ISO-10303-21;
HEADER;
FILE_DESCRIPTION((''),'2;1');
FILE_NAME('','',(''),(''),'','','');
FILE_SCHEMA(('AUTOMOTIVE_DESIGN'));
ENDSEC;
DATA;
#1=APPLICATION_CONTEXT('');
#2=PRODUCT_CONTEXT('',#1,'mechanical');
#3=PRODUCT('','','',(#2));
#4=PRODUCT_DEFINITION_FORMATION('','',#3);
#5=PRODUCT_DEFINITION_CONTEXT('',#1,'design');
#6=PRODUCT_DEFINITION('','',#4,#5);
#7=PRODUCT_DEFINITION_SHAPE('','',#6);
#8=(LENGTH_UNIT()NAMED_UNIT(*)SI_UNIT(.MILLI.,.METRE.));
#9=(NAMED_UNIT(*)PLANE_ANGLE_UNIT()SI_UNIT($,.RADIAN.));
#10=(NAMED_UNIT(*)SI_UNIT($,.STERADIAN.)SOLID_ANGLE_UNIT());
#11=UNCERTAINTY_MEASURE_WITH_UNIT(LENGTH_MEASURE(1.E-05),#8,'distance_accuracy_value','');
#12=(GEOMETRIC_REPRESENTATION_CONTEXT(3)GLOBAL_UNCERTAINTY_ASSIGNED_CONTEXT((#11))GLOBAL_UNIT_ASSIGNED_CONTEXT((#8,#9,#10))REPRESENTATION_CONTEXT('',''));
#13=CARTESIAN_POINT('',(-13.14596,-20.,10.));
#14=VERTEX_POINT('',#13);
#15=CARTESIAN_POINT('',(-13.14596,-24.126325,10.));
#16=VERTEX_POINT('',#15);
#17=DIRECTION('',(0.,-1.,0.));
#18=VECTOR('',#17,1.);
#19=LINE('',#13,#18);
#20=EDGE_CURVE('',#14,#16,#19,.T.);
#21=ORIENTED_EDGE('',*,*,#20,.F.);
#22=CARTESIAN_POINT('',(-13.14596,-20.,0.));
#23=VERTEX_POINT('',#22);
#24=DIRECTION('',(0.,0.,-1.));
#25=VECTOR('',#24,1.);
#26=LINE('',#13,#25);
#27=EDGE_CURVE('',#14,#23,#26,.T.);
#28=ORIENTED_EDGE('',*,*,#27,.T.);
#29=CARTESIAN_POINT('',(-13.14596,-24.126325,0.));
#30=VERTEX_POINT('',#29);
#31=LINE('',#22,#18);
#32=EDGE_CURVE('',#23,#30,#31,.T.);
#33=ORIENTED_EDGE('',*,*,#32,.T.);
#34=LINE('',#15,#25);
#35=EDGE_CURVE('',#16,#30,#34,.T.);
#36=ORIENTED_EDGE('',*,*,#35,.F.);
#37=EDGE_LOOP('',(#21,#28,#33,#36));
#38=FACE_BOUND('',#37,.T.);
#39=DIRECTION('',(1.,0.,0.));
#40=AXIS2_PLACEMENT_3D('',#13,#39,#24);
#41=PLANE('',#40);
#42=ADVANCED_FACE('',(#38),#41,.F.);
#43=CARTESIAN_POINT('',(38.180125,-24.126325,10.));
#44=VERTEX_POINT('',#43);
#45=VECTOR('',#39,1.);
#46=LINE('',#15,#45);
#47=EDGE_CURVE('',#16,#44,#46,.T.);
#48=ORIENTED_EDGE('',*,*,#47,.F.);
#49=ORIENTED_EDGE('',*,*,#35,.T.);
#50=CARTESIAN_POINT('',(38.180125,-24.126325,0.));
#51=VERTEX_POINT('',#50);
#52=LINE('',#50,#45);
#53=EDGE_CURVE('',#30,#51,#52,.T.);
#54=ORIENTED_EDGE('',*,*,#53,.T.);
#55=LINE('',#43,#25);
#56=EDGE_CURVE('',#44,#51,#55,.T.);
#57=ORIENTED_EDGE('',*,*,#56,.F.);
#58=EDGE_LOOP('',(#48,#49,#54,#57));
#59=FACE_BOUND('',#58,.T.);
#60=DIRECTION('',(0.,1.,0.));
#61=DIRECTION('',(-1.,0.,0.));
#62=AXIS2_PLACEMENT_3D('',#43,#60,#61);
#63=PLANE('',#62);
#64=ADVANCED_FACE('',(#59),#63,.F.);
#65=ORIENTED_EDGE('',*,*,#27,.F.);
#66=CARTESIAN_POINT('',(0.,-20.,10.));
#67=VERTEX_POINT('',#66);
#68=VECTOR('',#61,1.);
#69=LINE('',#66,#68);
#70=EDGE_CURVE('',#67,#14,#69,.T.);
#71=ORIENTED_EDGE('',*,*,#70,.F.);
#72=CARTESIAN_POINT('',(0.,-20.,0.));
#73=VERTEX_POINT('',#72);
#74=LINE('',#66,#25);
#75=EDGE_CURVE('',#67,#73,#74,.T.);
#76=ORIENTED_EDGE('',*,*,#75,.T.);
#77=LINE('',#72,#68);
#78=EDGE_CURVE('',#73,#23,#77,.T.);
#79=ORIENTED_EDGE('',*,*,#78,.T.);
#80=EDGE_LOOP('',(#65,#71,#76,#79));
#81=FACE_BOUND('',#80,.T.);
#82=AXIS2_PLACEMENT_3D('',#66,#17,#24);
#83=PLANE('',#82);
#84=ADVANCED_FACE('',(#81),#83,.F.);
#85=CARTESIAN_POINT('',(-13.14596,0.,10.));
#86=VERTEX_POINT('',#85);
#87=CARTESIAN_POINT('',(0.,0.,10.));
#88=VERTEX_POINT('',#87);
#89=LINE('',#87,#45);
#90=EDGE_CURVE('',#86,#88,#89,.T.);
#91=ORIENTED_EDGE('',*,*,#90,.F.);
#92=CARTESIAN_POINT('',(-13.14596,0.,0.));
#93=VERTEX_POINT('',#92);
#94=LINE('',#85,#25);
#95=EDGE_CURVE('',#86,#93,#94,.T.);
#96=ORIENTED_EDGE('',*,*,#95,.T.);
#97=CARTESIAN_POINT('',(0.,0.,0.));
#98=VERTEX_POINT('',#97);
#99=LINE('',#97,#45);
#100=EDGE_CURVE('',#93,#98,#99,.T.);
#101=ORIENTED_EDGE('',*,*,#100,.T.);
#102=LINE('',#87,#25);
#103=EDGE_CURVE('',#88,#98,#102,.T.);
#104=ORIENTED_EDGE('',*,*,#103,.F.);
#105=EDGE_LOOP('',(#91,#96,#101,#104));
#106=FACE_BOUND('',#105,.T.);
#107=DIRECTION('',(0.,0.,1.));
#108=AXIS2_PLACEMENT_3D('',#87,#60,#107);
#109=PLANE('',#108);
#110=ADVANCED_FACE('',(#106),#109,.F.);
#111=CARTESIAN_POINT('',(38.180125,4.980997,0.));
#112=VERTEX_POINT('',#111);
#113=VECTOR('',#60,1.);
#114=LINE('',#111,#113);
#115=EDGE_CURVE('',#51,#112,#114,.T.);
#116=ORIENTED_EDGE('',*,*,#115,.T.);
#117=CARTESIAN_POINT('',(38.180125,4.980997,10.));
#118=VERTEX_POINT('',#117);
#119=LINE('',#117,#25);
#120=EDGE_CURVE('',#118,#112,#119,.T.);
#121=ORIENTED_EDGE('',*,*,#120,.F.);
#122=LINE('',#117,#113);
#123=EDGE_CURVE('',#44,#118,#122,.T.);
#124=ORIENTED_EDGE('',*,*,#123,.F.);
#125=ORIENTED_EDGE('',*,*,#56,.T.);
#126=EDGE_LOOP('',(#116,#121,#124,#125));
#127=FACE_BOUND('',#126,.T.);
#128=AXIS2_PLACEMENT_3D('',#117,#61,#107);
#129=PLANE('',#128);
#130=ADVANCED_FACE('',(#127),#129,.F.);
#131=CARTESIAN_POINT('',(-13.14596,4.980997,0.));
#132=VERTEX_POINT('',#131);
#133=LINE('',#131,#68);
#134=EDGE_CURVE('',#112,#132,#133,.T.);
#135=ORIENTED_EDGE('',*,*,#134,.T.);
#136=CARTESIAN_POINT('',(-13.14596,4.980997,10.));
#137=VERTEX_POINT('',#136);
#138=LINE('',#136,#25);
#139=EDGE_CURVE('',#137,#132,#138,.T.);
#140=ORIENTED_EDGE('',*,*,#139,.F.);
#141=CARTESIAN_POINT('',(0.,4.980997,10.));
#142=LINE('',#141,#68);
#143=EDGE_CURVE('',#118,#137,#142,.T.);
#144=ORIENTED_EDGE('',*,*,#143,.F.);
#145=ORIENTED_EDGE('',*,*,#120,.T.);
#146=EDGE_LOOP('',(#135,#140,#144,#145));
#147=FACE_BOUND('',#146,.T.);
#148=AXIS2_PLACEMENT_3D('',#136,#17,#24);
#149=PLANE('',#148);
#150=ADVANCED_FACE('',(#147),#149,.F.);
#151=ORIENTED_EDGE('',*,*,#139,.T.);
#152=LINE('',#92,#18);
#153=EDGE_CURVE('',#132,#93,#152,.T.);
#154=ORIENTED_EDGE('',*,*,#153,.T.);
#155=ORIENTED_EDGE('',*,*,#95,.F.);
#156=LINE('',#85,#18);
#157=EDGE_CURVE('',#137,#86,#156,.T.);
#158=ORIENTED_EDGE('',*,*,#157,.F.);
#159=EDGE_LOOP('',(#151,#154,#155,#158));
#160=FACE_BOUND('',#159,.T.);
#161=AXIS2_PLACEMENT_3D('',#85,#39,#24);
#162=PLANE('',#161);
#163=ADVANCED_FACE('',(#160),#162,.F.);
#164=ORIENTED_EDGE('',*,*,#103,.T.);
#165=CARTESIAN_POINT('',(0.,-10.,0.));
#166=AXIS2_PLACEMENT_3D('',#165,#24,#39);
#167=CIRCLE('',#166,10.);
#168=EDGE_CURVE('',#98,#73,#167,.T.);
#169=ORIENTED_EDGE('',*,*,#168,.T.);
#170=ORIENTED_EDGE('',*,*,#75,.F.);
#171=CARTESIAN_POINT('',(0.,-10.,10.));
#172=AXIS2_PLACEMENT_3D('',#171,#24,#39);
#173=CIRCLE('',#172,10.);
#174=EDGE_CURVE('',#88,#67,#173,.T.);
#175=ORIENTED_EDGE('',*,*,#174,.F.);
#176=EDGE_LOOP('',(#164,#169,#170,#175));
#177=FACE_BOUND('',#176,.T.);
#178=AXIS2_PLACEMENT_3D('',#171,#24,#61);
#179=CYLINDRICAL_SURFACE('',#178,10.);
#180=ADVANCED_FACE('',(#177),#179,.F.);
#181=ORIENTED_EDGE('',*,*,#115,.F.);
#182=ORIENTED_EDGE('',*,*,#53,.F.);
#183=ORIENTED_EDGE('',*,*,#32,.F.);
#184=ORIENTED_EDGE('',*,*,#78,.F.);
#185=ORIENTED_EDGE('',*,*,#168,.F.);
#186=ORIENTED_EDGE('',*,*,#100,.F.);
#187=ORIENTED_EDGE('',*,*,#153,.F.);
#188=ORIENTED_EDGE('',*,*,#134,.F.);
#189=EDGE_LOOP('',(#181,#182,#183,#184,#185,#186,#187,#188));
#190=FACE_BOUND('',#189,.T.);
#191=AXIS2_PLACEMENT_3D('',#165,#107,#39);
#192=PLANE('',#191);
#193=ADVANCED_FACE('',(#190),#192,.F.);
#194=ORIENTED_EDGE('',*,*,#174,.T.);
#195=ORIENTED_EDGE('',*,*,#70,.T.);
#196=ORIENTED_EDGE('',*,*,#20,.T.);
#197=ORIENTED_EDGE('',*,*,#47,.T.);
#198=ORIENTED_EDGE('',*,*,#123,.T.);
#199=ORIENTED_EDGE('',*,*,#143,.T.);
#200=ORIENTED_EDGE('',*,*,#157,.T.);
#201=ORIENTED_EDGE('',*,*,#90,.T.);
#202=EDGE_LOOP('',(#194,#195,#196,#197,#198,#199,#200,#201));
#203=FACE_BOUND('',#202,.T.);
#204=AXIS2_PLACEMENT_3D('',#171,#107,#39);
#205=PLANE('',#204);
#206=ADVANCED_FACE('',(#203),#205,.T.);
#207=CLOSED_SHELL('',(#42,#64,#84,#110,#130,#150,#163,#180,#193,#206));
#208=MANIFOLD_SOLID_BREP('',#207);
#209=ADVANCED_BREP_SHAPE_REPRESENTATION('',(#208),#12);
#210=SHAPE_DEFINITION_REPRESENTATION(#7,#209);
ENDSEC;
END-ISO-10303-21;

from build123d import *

# Parameters (mm, degrees)
BOSS_EXTRUDE1_DEPTH = 10


with BuildPart() as part:
    # Sketch1 → Boss-Extrude1 (new body)
    with BuildSketch(Plane.XY):
        with BuildLine():
            Line((0, 4.980997276), (38.18012487, 4.980997276))
            Line((38.18012487, 4.980997276), (38.18012487, -24.126325443))
            Line((38.18012487, -24.126325443), (0, -24.126325443))
            Line((0, -24.126325443), (-13.14596048, -24.126325443))
            Line((-13.14596048, -24.126325443), (-13.14596048, -20))
            Line((-13.14596048, -20), (0, -20))
            ThreePointArc((0, -20), (10, -10), (0, 0))
            Line((0, 0), (-13.14596048, 0))
            Line((-13.14596048, 0), (-13.14596048, 4.980997276))
            Line((-13.14596048, 4.980997276), (0, 4.980997276))
        make_face()
    extrude(amount=BOSS_EXTRUDE1_DEPTH)


solid = part.part
